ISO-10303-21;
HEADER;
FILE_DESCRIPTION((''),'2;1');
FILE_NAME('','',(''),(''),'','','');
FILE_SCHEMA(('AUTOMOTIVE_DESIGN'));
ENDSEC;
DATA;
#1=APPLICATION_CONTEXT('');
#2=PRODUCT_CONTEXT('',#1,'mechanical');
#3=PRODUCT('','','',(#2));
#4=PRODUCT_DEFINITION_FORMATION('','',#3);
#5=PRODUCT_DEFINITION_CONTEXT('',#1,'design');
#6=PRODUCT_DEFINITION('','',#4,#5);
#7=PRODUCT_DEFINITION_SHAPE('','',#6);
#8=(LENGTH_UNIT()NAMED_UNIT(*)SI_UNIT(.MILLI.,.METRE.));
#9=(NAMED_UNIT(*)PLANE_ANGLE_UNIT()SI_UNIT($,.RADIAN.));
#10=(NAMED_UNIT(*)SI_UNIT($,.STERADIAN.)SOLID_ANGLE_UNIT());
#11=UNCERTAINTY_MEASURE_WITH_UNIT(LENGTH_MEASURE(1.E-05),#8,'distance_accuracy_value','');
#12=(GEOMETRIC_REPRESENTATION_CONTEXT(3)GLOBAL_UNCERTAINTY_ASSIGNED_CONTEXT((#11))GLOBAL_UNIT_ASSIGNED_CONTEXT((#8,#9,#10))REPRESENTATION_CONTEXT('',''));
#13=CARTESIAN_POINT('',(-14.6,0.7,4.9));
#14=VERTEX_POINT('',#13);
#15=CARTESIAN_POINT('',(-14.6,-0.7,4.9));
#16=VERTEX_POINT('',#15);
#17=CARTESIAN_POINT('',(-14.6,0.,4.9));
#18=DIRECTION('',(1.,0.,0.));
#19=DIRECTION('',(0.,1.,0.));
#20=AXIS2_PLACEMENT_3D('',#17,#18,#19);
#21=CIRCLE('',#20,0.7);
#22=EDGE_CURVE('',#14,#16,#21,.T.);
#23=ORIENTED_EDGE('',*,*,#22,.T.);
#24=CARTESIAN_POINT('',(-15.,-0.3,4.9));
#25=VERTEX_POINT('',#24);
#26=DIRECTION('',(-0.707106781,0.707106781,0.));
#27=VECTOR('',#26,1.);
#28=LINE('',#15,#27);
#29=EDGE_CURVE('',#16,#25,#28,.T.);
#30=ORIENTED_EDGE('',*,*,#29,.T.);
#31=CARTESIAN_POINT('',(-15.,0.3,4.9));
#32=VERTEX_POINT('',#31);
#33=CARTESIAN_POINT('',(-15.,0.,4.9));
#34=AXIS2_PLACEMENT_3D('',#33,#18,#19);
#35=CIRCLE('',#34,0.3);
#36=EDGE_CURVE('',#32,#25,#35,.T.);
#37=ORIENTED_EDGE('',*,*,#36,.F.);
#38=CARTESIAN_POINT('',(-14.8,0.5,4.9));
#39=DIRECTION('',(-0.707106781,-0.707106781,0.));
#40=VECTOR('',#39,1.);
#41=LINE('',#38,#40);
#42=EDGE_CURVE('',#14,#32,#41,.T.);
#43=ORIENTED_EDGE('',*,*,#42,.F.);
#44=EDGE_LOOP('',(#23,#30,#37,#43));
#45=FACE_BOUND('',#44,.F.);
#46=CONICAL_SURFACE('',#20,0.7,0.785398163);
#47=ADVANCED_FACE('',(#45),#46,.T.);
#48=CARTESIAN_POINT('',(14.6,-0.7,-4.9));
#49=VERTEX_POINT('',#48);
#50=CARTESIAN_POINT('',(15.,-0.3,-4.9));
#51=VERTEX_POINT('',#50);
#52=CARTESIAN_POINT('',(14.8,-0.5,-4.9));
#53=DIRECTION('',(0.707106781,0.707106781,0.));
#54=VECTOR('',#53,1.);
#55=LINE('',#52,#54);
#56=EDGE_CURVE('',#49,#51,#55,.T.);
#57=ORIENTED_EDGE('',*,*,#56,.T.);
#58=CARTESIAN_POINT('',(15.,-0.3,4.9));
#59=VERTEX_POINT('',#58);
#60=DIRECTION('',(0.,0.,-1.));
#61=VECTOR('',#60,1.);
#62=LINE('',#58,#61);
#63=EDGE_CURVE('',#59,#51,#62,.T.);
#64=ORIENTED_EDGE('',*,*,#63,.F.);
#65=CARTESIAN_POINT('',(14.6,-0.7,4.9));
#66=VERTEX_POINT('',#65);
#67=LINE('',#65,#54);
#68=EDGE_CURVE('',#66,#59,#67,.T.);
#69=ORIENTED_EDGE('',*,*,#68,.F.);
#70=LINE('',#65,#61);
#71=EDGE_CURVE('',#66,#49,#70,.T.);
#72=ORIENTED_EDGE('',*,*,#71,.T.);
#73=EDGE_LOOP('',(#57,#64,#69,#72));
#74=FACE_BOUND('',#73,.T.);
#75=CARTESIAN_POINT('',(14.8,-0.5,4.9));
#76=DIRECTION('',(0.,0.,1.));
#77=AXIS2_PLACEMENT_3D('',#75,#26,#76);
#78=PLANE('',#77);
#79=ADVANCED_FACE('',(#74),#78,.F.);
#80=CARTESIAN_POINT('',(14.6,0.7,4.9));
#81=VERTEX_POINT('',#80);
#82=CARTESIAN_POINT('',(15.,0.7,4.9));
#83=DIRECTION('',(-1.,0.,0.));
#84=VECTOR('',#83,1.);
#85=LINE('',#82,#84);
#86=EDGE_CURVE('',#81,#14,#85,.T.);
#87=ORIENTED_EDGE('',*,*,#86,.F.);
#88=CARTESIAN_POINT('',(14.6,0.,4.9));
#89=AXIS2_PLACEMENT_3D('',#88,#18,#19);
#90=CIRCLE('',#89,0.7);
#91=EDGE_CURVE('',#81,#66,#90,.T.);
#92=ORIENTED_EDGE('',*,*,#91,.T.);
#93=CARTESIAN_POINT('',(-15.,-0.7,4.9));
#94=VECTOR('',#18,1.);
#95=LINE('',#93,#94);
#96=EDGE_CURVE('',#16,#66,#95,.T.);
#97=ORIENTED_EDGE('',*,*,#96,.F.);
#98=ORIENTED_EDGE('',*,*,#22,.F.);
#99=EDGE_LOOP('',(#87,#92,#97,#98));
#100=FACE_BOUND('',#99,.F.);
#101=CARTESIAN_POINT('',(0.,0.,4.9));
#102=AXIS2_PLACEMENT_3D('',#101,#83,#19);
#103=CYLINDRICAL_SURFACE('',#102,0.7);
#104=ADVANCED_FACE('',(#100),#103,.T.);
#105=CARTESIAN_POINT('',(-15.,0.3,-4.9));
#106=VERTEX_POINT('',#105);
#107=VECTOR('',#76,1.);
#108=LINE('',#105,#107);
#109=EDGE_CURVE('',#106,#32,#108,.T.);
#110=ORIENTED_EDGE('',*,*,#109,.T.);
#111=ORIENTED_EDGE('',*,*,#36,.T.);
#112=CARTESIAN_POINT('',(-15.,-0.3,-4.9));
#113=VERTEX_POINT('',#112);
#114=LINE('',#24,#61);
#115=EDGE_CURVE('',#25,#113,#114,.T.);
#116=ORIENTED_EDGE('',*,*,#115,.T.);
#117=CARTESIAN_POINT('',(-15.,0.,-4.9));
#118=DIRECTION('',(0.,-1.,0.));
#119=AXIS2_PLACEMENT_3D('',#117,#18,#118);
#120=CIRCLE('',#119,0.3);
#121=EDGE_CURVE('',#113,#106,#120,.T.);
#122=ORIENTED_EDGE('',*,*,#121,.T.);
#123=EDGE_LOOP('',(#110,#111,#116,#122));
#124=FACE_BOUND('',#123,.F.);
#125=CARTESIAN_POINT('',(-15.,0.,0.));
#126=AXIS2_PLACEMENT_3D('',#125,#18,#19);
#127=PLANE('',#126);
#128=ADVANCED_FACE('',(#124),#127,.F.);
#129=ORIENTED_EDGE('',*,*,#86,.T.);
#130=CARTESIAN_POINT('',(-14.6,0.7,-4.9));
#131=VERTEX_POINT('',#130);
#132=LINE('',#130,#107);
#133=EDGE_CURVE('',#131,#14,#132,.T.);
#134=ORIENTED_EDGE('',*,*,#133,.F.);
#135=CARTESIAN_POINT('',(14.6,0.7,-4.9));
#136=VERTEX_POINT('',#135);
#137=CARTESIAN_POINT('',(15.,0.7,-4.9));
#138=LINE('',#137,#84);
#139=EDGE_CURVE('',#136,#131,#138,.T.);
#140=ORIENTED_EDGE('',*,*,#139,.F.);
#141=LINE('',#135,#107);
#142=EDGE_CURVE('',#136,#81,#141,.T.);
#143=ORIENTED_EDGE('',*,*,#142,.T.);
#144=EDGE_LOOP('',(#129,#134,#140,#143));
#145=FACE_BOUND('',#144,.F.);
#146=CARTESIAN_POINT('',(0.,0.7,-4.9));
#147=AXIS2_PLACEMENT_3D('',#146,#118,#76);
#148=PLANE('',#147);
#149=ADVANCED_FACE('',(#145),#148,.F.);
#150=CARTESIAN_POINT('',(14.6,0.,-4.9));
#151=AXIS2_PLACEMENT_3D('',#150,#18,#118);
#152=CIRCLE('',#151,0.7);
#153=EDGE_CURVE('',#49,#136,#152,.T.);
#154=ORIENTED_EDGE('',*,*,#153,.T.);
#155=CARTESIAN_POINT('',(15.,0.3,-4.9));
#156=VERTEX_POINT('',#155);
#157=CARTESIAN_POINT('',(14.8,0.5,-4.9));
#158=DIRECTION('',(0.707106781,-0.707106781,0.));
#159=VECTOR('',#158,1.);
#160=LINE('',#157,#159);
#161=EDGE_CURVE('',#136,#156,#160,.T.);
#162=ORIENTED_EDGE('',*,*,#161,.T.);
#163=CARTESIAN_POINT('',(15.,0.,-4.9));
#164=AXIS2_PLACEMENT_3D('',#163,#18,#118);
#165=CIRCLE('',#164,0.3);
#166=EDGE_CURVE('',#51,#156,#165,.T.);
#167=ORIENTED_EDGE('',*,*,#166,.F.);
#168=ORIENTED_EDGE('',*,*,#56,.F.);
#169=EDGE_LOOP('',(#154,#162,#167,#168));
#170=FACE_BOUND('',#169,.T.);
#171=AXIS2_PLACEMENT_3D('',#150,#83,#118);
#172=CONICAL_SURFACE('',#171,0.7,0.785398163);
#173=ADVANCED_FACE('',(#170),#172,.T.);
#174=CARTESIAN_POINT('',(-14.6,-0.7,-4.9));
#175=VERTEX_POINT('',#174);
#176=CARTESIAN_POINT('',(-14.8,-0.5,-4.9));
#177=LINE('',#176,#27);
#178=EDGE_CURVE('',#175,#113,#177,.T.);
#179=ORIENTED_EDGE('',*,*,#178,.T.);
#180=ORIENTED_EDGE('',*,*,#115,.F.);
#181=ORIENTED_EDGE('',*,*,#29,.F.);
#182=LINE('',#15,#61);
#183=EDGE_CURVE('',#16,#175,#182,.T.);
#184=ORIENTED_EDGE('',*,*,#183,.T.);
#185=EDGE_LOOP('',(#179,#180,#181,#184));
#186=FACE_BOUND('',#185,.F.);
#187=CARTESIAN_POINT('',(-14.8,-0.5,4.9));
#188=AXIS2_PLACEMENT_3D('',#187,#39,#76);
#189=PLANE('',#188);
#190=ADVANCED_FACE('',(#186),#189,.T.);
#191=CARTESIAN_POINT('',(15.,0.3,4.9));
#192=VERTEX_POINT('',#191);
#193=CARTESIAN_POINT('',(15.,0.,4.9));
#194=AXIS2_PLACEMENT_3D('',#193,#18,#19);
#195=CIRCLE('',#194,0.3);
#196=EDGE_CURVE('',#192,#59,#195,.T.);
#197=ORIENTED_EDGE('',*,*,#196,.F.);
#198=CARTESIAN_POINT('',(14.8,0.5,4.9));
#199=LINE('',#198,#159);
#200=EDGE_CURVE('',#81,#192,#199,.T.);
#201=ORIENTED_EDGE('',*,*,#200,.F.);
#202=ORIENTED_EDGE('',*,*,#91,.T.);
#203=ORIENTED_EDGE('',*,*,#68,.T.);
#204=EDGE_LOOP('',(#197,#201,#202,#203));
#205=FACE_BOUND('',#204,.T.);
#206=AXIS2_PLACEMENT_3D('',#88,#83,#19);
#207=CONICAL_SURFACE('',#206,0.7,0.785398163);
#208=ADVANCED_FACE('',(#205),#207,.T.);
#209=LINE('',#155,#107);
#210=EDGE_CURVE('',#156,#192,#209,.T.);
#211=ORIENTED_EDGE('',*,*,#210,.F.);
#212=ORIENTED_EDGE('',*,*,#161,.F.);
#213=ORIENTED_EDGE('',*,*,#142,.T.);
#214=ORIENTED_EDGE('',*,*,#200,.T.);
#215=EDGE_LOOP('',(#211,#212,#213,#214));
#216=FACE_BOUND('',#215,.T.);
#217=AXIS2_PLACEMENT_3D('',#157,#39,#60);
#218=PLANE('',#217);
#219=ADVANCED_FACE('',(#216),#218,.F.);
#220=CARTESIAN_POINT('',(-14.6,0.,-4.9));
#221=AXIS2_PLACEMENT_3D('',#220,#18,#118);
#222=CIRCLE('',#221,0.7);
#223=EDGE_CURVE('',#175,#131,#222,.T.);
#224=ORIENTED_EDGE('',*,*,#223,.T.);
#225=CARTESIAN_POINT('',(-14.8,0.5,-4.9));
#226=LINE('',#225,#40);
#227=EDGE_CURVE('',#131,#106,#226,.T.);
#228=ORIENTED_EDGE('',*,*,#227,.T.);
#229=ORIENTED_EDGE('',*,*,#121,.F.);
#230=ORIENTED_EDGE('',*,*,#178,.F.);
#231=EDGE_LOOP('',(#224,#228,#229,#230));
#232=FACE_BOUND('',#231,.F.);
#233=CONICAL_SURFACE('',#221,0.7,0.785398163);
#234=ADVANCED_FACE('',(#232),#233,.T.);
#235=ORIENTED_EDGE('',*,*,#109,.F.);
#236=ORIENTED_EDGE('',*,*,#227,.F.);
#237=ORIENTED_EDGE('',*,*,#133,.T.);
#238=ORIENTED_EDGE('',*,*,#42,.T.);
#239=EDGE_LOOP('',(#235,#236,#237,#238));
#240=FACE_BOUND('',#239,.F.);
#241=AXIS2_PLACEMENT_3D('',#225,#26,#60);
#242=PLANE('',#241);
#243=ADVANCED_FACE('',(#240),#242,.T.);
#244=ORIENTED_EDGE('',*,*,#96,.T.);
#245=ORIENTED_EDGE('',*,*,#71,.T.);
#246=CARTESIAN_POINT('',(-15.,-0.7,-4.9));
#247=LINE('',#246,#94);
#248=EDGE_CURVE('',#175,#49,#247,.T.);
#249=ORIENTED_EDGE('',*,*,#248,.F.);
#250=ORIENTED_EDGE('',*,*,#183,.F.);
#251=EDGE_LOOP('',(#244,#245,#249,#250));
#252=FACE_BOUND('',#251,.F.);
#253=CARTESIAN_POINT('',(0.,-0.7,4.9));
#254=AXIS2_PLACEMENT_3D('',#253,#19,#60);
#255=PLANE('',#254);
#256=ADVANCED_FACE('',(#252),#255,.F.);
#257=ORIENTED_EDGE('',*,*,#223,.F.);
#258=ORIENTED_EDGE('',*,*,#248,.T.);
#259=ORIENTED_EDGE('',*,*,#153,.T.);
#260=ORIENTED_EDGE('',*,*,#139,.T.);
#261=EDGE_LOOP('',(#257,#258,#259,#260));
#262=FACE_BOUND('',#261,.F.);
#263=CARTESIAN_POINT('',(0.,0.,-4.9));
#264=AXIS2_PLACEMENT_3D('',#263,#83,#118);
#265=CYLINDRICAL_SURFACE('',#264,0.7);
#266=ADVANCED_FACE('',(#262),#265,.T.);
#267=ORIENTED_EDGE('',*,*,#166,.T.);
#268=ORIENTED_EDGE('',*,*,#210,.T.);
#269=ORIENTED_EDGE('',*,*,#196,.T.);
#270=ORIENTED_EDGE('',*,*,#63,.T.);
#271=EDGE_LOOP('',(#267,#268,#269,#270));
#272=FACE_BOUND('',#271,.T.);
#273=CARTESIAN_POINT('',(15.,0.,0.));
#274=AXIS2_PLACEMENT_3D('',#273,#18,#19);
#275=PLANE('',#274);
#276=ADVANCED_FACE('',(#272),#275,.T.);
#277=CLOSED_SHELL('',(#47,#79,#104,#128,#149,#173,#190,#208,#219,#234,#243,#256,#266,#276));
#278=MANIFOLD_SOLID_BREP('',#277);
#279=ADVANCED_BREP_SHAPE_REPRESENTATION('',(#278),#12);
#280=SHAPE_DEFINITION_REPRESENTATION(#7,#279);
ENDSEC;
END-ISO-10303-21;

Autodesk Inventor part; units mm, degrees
ref_plane "YZ Plane" through (0, 0, 0) normal (1, 0, 0) x (0, 1, 0)
ref_plane "XZ Plane" through (0, 0, 0) normal (0, 1, 0) x (-1, 0, 0)
ref_plane "XY Plane" through (0, 0, 0) normal (0, 0, 1) x (1, 0, 0)
sketch "Sketch1" plane through (0, 0, 0) normal (1, 0, 0) x (0, 1, 0)
  line L0 (0, 4.9) -> (0, -4.9) construction
  line L1 (-0.7, 4.9) -> (-0.7, -4.9)
  line L2 (0.7, -4.9) -> (0.7, 4.9)
  arc A0 (0.7, 4.9) -> (-0.7, 4.9) centre (0, 4.9) ccw
  arc A1 (-0.7, -4.9) -> (0.7, -4.9) centre (0, -4.9) ccw
  point P0 (0, 0)
  dimension "d0" = 4.9
  dimension "d1" = 1.4
extrude "Extrusion1" add sketch "Sketch1" along normal mid plane 30
chamfer "Chamfer1" distance 0.4 angle 45 8 edges at (-15, 0.7, 0) (-15, 0, -5.6) (-15, -0.7, 0) (-15, 0, 5.6) (15, 0.7, 0) (15, 0, 5.6) (15, -0.7, 0) (15, 0, -5.6)
properties part number "Domino"
